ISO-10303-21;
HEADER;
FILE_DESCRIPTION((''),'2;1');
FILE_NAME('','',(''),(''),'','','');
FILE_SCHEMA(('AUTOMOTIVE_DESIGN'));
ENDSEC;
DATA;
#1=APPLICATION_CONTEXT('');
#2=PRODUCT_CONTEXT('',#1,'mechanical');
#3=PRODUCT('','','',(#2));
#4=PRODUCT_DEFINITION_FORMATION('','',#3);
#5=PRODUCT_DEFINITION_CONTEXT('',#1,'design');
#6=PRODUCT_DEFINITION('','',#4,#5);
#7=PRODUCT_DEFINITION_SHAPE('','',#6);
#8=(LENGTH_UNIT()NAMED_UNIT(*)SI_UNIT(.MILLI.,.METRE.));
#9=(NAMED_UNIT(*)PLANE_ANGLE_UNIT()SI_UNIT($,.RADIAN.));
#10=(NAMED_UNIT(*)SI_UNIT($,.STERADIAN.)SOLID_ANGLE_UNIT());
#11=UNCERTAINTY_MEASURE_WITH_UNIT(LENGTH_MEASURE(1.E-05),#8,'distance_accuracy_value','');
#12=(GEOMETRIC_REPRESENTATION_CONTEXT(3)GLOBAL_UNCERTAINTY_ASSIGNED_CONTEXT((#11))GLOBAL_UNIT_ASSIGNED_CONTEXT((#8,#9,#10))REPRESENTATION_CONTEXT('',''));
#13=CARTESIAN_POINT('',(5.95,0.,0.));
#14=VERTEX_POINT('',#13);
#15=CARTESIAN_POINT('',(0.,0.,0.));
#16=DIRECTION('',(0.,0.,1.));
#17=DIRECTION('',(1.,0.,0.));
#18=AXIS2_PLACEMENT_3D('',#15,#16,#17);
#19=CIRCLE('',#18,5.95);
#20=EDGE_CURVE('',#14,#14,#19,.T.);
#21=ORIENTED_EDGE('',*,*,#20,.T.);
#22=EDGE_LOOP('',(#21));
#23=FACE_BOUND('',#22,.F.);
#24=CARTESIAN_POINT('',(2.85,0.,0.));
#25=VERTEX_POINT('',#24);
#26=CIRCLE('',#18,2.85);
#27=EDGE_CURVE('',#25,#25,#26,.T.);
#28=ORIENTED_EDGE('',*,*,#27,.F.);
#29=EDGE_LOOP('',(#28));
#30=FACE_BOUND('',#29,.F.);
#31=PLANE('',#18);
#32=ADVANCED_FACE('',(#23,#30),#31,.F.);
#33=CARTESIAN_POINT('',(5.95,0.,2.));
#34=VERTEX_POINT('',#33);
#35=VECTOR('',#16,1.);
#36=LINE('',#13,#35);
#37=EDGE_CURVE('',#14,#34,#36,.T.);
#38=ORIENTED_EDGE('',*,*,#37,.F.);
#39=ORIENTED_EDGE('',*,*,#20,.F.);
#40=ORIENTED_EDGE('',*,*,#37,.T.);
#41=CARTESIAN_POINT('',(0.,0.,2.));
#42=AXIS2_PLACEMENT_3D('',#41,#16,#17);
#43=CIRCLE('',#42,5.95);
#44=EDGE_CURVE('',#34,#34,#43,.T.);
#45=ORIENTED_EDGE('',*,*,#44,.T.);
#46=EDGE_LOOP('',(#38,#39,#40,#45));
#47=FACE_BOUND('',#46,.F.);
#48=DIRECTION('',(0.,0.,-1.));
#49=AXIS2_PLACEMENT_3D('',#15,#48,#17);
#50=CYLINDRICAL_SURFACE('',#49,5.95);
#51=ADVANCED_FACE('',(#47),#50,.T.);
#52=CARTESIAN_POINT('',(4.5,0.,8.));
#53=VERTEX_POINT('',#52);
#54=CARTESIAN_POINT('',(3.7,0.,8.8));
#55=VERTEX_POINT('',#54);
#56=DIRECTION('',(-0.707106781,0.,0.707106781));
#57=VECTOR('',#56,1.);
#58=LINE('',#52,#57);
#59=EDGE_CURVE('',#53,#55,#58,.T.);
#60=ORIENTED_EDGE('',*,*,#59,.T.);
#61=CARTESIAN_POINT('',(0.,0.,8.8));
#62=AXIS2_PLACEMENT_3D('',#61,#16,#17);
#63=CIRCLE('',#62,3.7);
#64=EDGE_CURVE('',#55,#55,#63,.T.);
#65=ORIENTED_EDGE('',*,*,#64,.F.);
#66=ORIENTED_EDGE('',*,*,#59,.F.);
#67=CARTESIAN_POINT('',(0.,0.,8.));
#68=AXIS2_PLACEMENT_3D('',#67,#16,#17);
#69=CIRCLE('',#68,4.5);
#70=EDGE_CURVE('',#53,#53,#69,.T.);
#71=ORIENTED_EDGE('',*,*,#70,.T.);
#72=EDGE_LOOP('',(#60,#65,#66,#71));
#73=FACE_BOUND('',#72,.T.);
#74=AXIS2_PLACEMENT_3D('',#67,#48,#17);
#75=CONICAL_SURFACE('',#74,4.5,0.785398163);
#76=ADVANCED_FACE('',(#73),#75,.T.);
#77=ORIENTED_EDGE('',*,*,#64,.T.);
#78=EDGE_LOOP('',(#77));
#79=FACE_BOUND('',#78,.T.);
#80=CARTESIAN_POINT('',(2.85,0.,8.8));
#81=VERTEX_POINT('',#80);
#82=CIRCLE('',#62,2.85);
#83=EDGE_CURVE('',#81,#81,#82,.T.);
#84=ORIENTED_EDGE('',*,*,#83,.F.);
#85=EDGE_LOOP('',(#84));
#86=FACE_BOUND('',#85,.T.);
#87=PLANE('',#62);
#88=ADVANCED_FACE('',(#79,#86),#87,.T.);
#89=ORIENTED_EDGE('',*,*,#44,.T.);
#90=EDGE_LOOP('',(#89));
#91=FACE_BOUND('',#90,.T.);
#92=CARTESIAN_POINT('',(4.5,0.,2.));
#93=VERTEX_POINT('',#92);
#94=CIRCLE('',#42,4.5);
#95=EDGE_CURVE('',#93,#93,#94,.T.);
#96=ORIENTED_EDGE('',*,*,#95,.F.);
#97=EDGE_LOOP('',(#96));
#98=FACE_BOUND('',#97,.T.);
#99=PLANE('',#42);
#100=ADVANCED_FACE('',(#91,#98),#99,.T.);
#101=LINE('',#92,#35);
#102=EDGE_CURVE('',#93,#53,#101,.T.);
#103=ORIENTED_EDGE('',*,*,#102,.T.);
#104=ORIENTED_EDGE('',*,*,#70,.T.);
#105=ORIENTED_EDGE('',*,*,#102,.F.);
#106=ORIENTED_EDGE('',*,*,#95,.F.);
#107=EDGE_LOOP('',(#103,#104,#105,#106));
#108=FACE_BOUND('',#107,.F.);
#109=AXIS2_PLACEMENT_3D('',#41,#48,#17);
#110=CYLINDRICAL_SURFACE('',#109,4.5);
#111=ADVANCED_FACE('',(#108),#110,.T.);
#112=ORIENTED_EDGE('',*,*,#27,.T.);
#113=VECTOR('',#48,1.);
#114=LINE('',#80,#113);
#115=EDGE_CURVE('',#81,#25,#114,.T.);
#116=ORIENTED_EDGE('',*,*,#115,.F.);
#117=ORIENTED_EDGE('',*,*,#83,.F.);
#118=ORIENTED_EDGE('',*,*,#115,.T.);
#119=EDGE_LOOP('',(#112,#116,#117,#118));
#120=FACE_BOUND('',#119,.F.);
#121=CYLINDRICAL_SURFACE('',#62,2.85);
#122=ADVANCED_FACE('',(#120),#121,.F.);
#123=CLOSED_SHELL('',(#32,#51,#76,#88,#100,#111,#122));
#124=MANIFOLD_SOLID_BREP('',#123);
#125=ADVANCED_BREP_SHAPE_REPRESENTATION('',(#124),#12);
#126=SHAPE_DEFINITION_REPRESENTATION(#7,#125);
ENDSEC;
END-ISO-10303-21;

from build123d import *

# Parameters (mm, degrees)
F0_R     = 5.95
F1_DEPTH = 2
F2_R     = 4.5
F3_DEPTH = 6.8
F4_R     = 2.85
F5_DEPTH = 8.801
F6_SIZE  = 0.8


with BuildPart() as f1:
    # F0 (on Top) → F1 (new body)
    with BuildSketch(Plane.XY):
        Circle(F0_R)
    extrude(amount=F1_DEPTH)

    # F2 (on face) → F3 (join)
    with BuildSketch(Plane.XY.offset(2)):
        Circle(F2_R)
    extrude(amount=F3_DEPTH)

    # F4 (on face) → F5 (cut, through all)
    with BuildSketch(Plane.XY.offset(8.8)):
        Circle(F4_R)
    extrude(amount=-F5_DEPTH, mode=Mode.SUBTRACT)

    # F6
    f6_edges = [f1.edges().sort_by_distance(p)[0] for p in [
        (-4.5, 0, 8.8),
    ]]
    chamfer(f6_edges, length=F6_SIZE)


solid = f1.part
